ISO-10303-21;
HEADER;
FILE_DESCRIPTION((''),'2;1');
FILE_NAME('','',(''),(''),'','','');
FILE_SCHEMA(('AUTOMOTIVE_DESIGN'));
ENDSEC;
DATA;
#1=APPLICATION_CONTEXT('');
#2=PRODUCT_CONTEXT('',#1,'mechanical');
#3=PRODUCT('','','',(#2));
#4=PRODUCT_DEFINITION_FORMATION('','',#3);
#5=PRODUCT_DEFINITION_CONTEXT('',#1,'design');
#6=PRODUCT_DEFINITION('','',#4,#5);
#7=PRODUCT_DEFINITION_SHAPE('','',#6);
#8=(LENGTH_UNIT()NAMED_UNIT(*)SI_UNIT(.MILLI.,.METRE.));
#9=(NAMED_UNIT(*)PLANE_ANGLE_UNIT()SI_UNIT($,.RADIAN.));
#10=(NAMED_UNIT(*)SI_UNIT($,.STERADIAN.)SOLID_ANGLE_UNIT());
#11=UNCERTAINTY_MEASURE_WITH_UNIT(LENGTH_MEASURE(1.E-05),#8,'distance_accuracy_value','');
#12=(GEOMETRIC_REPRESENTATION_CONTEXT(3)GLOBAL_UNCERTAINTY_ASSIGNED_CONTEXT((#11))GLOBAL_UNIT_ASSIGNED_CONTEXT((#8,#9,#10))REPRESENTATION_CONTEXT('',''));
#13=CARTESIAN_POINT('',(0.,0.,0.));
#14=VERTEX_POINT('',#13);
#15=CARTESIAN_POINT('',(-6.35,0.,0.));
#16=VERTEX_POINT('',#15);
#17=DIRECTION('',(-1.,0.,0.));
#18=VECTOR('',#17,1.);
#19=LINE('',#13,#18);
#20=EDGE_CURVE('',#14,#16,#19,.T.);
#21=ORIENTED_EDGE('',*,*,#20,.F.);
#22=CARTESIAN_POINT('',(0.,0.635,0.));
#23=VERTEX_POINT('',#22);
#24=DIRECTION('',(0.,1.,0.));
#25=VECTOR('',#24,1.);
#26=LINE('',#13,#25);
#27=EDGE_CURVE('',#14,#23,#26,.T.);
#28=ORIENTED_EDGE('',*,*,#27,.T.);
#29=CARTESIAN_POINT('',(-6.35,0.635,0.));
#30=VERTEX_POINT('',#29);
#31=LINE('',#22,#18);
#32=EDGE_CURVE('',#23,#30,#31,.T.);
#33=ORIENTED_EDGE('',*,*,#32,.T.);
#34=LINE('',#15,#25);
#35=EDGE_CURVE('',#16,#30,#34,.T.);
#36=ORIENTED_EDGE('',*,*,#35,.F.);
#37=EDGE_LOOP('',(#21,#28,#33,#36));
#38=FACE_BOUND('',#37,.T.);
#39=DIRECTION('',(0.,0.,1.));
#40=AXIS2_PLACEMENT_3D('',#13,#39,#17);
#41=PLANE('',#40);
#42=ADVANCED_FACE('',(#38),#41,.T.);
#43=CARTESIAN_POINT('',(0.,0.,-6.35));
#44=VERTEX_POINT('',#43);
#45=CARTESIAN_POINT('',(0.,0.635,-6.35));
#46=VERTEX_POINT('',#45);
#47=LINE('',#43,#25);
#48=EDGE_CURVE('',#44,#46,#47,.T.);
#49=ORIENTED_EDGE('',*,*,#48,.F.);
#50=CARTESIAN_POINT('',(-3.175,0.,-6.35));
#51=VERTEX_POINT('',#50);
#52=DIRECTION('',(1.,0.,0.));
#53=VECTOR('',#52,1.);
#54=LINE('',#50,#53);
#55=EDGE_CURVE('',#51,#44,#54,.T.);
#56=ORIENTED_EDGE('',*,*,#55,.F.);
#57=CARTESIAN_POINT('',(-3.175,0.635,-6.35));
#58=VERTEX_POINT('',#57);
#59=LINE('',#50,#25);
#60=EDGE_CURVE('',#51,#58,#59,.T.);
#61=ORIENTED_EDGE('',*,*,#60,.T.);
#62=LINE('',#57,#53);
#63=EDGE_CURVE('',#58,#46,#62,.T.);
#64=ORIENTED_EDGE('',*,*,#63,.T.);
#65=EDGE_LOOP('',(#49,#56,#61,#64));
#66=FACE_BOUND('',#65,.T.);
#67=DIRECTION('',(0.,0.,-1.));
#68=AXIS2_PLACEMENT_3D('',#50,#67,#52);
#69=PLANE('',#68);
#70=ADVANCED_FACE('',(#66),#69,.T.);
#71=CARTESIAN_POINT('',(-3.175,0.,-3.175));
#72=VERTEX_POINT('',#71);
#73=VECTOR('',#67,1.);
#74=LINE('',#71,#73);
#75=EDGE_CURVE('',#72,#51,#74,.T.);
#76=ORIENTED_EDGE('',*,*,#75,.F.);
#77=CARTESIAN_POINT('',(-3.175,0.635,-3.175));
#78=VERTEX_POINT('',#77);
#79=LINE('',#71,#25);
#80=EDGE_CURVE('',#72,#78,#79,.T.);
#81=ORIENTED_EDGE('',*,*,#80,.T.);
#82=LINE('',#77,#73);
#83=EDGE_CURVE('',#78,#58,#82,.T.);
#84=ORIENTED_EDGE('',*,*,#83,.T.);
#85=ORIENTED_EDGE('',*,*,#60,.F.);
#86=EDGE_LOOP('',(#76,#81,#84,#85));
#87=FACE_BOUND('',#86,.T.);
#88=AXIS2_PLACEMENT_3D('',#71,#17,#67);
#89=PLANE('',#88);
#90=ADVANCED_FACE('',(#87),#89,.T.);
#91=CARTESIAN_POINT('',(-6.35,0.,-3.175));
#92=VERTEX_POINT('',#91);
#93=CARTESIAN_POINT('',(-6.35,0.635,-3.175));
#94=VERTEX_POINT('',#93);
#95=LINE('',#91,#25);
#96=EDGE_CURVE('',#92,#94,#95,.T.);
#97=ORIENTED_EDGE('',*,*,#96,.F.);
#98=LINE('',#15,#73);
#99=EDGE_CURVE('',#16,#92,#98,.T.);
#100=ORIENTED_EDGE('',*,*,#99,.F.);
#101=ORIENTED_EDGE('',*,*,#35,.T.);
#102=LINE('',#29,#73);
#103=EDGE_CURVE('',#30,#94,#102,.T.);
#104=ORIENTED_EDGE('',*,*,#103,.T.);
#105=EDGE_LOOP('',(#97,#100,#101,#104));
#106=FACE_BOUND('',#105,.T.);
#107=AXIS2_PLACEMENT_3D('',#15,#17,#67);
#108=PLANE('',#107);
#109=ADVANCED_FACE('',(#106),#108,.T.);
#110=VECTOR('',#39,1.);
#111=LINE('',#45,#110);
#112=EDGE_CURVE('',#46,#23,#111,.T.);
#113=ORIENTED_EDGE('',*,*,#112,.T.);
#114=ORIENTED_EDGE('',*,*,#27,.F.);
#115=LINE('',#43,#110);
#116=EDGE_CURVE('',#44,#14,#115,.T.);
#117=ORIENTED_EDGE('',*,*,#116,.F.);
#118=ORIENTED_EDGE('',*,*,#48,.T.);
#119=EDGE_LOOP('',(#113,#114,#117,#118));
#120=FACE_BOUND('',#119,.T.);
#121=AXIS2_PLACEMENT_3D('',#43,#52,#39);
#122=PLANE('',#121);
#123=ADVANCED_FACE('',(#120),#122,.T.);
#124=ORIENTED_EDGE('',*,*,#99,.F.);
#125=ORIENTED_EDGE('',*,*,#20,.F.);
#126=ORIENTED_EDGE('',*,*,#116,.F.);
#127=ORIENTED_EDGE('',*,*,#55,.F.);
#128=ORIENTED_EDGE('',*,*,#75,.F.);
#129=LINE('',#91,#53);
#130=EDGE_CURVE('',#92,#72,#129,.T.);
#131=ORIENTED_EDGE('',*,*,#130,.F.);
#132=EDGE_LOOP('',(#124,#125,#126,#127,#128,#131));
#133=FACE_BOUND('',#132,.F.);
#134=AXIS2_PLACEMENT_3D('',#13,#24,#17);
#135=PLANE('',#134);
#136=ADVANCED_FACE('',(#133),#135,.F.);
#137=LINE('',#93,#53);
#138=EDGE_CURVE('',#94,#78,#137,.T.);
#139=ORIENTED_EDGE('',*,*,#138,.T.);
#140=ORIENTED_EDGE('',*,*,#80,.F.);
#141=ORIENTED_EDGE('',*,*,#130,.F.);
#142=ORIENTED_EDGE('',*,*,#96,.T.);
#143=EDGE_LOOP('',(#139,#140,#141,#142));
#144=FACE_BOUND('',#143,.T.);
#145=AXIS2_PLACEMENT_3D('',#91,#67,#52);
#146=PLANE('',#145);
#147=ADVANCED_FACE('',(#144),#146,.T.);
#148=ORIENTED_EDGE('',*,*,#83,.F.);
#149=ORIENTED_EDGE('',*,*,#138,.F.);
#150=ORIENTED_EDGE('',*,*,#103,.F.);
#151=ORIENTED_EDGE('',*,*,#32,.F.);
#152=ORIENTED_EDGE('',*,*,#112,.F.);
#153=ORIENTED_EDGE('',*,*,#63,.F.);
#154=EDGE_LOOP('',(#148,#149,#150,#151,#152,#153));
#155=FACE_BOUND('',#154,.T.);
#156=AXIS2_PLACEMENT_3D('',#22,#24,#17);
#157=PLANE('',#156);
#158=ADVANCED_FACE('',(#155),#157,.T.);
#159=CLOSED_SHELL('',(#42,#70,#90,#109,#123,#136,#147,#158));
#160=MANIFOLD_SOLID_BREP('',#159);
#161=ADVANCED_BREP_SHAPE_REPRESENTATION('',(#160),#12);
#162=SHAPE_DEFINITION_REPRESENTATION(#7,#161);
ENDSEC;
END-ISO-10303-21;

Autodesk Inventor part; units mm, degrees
ref_plane "YZ Plane" through (0, 0, 0) normal (1, 0, 0) x (0, 1, 0)
ref_plane "XZ Plane" through (0, 0, 0) normal (0, 1, 0) x (-1, 0, 0)
ref_plane "XY Plane" through (0, 0, 0) normal (0, 0, 1) x (1, 0, 0)
sketch "Sketch1" plane through (0, 0, 0) normal (0, 1, 0) x (-1, 0, 0)
  line L0 (0, 0) -> (6.35, 0)
  line L1 (6.35, 0) -> (6.35, -3.175)
  line L2 (6.35, -3.175) -> (3.175, -3.175)
  line L3 (3.175, -3.175) -> (3.175, -6.35)
  line L4 (3.175, -6.35) -> (0, -6.35)
  line L5 (0, -6.35) -> (0, 0)
  dimension "d0" = 6.35
  dimension "d1" = 3.175
  dimension "d2" = 90
  dimension "d3" = 3.175
  dimension "d4" = 3.175
extrude "Extrusion1" add sketch "Sketch1" along normal blind 0.635
properties part number "Angle Bracket" material "Aluminum 6061"
